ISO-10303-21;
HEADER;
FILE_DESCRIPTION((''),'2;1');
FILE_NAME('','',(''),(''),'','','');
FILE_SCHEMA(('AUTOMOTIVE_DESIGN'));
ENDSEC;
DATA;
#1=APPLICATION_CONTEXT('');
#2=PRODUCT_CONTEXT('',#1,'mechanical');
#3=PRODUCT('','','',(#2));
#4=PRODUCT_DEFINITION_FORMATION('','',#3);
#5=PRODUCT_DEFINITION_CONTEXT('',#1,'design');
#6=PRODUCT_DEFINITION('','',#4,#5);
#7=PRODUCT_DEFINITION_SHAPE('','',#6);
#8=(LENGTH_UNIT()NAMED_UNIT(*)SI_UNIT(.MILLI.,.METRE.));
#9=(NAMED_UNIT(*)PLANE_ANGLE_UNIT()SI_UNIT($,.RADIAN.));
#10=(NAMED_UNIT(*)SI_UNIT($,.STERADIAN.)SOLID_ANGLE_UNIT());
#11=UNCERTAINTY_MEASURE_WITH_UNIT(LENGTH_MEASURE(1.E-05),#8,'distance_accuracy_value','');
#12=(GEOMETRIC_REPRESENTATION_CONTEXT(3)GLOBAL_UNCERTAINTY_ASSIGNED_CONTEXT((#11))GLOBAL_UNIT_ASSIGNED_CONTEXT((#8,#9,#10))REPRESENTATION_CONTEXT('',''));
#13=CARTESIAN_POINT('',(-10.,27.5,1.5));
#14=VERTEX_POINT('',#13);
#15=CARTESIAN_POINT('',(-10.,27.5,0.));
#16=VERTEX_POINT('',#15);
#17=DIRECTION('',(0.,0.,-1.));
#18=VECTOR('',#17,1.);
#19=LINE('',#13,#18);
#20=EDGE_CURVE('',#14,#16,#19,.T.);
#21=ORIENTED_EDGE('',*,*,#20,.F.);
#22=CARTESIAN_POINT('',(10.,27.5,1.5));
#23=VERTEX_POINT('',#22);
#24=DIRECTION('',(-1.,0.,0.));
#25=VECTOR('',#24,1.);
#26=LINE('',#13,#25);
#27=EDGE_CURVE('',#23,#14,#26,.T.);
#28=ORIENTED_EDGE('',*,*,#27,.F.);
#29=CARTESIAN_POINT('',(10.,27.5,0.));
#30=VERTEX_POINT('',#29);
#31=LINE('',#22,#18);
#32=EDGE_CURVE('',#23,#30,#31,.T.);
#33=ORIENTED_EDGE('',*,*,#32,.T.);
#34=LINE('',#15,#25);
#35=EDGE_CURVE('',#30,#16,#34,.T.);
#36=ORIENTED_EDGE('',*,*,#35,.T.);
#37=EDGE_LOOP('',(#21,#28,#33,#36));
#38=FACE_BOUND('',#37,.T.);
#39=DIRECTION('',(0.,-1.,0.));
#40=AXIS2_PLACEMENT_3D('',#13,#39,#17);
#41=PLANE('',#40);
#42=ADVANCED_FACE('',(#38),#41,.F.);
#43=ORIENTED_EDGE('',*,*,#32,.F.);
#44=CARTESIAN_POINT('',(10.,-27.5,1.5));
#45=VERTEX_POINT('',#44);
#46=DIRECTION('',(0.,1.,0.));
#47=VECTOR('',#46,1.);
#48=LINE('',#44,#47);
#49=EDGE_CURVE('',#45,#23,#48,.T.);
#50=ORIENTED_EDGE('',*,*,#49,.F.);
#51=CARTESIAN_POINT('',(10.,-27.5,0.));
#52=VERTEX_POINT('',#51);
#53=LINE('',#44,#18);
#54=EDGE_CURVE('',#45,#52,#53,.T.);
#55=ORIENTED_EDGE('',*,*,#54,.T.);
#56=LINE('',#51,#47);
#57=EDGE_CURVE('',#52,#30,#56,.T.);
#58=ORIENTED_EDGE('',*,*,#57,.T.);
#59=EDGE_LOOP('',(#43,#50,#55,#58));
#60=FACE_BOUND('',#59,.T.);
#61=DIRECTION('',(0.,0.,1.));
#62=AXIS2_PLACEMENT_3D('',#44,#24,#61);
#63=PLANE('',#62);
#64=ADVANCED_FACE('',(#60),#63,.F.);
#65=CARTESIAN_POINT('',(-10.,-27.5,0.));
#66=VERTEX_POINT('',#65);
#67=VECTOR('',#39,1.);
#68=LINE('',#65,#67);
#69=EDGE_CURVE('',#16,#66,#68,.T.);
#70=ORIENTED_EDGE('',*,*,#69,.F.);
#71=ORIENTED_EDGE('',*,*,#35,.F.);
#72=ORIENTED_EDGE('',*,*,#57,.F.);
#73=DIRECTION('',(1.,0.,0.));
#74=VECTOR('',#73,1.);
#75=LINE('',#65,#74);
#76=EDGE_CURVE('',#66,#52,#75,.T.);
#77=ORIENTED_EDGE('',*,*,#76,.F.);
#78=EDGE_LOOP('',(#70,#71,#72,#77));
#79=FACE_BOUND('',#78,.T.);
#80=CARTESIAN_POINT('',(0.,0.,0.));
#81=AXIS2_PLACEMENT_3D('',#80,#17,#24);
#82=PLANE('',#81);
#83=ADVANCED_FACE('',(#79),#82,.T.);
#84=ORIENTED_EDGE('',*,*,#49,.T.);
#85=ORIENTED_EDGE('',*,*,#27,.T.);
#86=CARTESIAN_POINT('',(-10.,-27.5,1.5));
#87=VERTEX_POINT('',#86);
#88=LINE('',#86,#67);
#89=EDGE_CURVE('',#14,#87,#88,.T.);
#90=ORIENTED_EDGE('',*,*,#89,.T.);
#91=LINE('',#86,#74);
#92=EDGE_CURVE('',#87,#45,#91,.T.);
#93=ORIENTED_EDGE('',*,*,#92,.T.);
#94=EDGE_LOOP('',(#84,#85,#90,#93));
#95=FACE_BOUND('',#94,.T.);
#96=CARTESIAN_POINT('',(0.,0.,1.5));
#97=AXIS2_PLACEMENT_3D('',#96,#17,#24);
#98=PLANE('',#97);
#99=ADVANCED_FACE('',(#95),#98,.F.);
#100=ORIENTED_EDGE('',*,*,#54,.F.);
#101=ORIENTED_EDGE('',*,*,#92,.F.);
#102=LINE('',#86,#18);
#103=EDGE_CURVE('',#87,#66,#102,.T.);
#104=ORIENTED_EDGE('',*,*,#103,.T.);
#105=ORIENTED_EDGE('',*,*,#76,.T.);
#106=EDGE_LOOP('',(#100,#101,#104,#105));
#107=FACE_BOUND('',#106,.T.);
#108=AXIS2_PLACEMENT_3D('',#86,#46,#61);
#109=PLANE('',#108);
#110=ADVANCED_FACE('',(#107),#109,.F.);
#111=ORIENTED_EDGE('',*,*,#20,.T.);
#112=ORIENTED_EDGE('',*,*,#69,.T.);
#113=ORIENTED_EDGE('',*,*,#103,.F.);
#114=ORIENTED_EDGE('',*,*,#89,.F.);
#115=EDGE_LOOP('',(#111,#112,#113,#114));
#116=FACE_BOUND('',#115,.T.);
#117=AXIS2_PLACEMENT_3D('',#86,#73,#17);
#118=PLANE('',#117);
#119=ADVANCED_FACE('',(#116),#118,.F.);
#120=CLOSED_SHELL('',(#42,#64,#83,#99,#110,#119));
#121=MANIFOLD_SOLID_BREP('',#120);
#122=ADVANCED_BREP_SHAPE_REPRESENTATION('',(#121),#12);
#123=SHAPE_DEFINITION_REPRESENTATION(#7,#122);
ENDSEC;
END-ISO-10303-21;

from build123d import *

# Parameters (mm, degrees)
SKETCH_1_W      = 20
SKETCH_1_H      = 55
EXTRUDE_1_DEPTH = 1.5


with BuildPart() as part:
    # 草图1 → 凸台-拉伸1 (new body)
    with BuildSketch(Plane.XY):
        Rectangle(SKETCH_1_W, SKETCH_1_H)
    extrude(amount=EXTRUDE_1_DEPTH)


solid = part.part
